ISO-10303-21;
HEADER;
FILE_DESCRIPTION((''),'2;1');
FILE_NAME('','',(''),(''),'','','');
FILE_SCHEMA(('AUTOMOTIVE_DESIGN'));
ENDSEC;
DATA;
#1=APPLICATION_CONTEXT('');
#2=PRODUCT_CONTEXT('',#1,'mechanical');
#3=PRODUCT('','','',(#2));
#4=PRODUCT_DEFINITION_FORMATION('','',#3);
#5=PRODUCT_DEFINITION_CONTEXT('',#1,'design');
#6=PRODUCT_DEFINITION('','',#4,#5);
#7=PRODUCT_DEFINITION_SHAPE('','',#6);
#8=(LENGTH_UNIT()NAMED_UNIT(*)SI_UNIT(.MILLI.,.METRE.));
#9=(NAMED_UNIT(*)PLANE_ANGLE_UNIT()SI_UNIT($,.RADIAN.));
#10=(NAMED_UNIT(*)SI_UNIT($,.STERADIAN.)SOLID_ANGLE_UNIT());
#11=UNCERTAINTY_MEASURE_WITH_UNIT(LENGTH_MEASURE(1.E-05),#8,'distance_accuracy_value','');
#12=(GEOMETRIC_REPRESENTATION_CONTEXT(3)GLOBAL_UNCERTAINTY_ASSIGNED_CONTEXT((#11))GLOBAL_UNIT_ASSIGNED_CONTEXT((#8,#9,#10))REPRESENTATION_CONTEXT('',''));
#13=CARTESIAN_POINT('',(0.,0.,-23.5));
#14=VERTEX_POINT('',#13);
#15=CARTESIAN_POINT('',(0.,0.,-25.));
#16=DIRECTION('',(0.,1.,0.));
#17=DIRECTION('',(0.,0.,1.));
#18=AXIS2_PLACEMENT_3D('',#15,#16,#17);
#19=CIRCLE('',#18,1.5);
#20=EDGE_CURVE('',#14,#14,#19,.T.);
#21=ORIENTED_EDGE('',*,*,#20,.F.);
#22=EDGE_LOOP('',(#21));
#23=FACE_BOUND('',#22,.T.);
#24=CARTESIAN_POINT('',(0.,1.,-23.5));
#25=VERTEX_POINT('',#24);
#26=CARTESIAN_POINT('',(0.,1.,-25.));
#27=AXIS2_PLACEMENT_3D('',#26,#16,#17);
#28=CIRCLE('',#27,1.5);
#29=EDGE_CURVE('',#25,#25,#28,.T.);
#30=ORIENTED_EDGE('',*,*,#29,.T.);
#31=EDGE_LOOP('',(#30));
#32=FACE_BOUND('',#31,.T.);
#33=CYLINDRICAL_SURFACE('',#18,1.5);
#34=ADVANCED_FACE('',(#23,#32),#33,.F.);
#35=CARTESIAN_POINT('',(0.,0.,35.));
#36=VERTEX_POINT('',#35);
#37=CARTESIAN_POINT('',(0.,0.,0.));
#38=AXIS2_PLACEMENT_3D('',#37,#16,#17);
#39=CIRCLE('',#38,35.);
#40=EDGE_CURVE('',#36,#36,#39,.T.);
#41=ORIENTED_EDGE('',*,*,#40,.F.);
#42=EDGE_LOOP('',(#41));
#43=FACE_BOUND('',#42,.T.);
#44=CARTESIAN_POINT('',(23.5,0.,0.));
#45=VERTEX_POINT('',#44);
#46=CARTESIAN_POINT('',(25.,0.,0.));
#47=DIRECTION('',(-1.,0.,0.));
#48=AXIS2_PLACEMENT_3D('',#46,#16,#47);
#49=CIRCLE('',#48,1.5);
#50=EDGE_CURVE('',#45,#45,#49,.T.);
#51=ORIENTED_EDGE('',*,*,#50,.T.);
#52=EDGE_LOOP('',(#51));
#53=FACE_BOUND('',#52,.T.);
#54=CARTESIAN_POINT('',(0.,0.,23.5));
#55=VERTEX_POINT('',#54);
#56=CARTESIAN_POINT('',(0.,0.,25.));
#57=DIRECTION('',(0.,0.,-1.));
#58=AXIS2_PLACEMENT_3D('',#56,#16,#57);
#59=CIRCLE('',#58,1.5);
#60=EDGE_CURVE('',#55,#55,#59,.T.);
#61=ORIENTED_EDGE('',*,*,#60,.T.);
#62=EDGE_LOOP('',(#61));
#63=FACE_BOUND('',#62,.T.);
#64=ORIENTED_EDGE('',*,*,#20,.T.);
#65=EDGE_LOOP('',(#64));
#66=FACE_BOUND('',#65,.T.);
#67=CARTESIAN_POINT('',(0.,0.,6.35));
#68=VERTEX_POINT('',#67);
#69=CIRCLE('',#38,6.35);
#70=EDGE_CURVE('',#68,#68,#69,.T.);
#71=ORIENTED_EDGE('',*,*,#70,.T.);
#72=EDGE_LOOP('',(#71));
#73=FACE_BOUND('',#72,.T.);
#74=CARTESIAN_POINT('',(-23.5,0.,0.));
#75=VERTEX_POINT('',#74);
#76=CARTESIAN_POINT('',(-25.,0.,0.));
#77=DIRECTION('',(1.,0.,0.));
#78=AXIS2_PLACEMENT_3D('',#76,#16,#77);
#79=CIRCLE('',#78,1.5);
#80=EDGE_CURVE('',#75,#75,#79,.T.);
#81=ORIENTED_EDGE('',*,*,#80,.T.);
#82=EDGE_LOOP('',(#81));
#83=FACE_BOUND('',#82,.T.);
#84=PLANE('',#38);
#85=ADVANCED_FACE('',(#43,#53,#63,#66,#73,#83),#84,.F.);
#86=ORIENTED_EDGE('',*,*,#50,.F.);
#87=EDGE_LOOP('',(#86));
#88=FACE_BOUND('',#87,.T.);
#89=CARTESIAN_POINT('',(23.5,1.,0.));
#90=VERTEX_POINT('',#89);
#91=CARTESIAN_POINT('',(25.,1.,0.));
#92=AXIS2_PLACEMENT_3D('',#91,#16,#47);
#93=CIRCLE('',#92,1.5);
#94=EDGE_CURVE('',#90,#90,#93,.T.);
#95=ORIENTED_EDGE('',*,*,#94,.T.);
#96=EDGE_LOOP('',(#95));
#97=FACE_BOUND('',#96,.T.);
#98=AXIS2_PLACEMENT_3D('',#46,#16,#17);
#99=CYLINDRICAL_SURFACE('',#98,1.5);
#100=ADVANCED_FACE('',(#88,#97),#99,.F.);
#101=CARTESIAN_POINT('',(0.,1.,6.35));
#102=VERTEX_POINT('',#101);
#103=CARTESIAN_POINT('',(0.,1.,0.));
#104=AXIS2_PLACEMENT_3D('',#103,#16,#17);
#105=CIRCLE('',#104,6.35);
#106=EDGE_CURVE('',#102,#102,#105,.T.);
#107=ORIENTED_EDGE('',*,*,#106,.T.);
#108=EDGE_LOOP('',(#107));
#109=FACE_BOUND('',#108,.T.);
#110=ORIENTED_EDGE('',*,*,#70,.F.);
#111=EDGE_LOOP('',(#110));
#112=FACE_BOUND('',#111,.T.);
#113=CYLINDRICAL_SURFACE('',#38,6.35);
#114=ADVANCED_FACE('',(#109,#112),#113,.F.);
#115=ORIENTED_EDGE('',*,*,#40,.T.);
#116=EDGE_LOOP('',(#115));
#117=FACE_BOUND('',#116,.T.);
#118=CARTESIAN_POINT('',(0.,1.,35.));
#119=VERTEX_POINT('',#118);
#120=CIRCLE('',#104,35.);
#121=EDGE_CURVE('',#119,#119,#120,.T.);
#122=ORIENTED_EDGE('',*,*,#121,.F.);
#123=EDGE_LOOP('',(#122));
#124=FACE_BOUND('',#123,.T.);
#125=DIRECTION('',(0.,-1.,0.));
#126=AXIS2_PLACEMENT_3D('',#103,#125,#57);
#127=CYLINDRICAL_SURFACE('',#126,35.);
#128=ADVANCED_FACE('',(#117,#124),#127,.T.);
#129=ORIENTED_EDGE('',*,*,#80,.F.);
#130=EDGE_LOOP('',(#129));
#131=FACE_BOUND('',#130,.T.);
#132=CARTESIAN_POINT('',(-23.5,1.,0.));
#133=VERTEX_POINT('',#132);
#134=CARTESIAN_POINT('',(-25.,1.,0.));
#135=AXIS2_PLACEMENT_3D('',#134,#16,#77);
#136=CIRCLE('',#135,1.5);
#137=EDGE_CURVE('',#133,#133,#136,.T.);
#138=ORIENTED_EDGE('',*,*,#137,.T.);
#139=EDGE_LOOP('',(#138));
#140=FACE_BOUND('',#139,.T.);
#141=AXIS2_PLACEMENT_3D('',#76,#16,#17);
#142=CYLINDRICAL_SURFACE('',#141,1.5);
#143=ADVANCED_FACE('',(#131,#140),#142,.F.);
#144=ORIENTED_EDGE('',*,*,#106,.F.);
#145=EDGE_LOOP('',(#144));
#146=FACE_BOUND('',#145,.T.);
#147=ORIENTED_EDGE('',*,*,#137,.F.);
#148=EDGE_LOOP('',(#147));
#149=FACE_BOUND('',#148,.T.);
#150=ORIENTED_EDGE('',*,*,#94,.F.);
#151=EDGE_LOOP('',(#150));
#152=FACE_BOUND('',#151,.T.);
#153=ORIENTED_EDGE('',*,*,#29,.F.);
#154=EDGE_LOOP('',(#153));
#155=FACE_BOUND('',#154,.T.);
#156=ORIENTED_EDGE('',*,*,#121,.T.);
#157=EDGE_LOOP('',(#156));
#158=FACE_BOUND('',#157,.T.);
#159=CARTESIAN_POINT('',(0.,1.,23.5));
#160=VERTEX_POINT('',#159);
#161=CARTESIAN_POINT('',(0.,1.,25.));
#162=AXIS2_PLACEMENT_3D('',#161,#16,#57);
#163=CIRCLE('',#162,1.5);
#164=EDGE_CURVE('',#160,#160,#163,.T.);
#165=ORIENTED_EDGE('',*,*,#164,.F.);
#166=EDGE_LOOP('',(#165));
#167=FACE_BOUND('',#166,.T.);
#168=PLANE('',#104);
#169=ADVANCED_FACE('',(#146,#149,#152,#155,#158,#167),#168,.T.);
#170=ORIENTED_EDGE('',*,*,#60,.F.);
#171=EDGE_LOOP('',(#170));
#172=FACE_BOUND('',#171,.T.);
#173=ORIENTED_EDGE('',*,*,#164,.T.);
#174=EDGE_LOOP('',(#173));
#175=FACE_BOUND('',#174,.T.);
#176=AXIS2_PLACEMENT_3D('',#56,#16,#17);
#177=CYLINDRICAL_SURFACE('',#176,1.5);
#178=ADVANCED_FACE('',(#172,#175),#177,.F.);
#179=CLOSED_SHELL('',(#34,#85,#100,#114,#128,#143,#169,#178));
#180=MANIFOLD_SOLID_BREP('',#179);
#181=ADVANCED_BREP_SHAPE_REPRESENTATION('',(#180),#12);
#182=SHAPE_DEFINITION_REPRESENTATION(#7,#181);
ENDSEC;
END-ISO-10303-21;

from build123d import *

# Parameters (mm, degrees)
SKETCH1_R           = 35
BOSS_EXTRUDE1_DEPTH = 1
SKETCH2_R           = 6.35
CUT_EXTRUDE1_DEPTH  = 1
SKETCH3_R           = 1.5
CUT_EXTRUDE4_DEPTH  = 1
CIRPATTERN1_COUNT   = 4


with BuildPart() as part:
    # Sketch1 → Boss-Extrude1 (new body)
    with BuildSketch(Plane(origin=(0, 0, 0), x_dir=(1, 0, 0), z_dir=(0, 1, 0))):
        Circle(SKETCH1_R)
    extrude(amount=BOSS_EXTRUDE1_DEPTH)

    # Sketch2 → Cut-Extrude1 (cut)
    with BuildSketch(Plane(origin=(0, 1, 0), x_dir=(1, 0, 0), z_dir=(0, 1, 0))):
        Circle(SKETCH2_R)
    extrude(amount=-CUT_EXTRUDE1_DEPTH, mode=Mode.SUBTRACT)

    # Sketch3 → Cut-Extrude4 (cut)
    with BuildSketch(Plane(origin=(0, 1, 0), x_dir=(1, 0, 0), z_dir=(0, 1, 0))):
        with Locations((0, 25)):
            Circle(SKETCH3_R)
    cut_extrude4 = extrude(amount=-CUT_EXTRUDE4_DEPTH, mode=Mode.SUBTRACT)

    # CirPattern1: Cut-Extrude4 ×4 about axis
    cirpattern1_axis = Axis((0, 1.05, 0), (0, -1, 0))
    for i in range(1, CIRPATTERN1_COUNT):
        add(cut_extrude4.rotate(cirpattern1_axis, i * 360 / CIRPATTERN1_COUNT), mode=Mode.SUBTRACT)


solid = part.part
